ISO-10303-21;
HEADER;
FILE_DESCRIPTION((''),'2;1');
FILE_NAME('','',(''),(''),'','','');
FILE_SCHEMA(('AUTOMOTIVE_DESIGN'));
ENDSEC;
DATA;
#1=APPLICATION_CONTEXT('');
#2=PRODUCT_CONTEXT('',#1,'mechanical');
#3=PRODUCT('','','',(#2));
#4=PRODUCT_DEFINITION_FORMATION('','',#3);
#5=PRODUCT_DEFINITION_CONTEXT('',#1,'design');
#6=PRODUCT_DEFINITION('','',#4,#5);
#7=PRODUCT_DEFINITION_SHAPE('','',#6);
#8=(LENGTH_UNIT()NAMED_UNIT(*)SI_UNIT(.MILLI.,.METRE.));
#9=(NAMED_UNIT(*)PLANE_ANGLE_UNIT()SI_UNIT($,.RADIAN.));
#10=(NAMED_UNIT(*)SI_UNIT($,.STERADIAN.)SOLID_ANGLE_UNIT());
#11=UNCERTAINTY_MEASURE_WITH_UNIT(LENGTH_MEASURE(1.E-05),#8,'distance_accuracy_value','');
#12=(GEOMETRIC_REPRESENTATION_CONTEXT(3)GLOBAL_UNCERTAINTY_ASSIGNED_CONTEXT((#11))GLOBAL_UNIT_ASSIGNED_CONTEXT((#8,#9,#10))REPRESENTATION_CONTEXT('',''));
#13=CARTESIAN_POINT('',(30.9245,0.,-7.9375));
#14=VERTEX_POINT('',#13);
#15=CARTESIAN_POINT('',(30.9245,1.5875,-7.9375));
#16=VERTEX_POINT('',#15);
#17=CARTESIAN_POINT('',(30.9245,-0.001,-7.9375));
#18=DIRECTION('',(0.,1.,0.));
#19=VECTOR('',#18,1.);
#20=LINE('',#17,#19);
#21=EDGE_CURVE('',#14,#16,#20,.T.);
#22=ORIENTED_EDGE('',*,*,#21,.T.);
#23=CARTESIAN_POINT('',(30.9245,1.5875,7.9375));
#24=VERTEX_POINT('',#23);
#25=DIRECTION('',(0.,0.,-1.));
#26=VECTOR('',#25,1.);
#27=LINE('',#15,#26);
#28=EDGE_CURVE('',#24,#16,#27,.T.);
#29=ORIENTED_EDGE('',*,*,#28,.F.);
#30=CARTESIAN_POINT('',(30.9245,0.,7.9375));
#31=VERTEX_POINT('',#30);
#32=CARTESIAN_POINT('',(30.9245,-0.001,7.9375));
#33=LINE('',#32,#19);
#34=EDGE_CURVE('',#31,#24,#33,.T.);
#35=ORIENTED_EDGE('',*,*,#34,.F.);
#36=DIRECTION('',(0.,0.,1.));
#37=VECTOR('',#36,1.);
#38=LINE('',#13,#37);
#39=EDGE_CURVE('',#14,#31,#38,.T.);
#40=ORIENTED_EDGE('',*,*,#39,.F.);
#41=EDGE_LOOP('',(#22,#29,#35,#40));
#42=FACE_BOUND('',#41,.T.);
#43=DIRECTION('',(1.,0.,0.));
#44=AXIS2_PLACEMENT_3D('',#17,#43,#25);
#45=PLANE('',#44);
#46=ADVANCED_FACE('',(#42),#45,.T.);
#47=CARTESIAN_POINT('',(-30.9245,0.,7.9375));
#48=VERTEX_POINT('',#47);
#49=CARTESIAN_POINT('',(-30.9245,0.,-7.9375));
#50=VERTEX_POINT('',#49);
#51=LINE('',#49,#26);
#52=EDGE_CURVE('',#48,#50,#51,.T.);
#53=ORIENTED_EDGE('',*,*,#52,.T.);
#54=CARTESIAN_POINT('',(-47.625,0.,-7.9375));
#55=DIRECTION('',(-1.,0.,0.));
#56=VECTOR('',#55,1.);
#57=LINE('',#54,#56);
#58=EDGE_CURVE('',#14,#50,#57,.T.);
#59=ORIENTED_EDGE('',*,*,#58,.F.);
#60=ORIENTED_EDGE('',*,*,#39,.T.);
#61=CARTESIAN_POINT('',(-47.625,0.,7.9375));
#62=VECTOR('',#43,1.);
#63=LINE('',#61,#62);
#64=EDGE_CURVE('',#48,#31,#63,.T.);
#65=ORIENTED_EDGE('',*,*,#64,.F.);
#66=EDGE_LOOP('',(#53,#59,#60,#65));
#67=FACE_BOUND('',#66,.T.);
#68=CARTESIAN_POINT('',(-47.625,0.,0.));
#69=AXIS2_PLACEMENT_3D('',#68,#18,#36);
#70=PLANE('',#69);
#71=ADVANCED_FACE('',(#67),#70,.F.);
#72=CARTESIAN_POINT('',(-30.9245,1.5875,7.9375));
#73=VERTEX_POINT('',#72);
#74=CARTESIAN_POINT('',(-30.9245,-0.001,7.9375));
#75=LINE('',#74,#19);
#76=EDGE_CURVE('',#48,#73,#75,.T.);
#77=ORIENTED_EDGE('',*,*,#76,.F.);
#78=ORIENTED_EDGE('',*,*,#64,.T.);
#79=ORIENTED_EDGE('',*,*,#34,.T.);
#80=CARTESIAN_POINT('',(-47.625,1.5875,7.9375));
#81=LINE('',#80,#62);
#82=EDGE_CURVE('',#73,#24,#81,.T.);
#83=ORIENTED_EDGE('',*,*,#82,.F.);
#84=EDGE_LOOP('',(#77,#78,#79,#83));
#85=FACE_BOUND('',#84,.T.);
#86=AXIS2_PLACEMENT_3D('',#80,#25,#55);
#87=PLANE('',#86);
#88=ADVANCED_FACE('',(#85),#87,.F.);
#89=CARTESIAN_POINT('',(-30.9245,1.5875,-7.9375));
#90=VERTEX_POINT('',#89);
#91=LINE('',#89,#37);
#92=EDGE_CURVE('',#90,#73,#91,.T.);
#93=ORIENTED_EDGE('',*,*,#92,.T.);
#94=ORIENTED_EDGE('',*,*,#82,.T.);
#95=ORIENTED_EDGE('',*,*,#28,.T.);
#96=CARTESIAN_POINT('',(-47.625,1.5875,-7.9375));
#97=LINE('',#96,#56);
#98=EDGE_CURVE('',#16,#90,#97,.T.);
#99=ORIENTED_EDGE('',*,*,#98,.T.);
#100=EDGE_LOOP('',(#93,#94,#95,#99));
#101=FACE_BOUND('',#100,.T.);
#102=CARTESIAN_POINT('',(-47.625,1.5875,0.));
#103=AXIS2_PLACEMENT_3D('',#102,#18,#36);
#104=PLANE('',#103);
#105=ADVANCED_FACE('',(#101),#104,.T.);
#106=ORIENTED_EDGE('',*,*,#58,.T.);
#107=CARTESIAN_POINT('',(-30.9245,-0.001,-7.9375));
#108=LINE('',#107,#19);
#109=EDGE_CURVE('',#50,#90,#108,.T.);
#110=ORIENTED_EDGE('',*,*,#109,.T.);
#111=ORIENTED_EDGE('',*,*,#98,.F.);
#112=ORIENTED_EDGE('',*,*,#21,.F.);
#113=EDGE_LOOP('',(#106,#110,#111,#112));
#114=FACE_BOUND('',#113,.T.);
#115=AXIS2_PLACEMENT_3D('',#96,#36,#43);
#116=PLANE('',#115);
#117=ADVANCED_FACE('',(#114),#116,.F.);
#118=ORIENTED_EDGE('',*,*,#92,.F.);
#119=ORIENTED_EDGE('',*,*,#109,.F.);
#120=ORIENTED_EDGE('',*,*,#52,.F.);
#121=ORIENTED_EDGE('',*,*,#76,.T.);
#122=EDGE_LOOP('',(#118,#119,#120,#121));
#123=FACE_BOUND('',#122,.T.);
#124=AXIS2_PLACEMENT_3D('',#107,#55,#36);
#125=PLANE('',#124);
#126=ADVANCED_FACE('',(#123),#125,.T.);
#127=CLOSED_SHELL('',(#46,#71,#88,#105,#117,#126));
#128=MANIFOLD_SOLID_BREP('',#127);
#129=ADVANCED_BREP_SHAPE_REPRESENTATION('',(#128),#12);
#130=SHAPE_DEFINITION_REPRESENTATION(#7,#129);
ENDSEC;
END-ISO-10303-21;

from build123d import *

# Parameters (mm, degrees)
BOSS_EXTRUDE1_DEPTH = 1.5875
CUT_EXTRUDE1_START  = -1.5875
SKETCH2_W           = 145.552464315
SKETCH2_H           = 40.152403949
SKETCH2_W_2         = 61.849
SKETCH2_H_2         = 15.875
CUT_EXTRUDE1_DEPTH  = 1.5875


with BuildPart() as part:
    # Sketch1 → Boss-Extrude1 (new body)
    with BuildSketch(Plane(origin=(0, 0, 0), x_dir=(1, 0, 0), z_dir=(0, 1, 0))):
        with BuildLine():
            Line((-47.625, 7.9375), (47.625, 7.9375))
            ThreePointArc((47.625, 7.9375), (55.5625, 0), (47.625, -7.9375))
            Line((47.625, -7.9375), (-47.625, -7.9375))
            ThreePointArc((-47.625, -7.9375), (-55.5625, 0), (-47.625, 7.9375))
        make_face()
    extrude(amount=BOSS_EXTRUDE1_DEPTH)

    # Sketch2 → Cut-Extrude1 (cut)
    with BuildSketch(Plane(origin=(0, 1.5875, 0), x_dir=(1, 0, 0), z_dir=(0, 1, 0)).offset(CUT_EXTRUDE1_START)):
        with Locations((1.351282825, 0.836508415)):
            Rectangle(SKETCH2_W, SKETCH2_H)
        Rectangle(SKETCH2_W_2, SKETCH2_H_2, mode=Mode.SUBTRACT)
    extrude(amount=CUT_EXTRUDE1_DEPTH, mode=Mode.SUBTRACT)


solid = part.part
